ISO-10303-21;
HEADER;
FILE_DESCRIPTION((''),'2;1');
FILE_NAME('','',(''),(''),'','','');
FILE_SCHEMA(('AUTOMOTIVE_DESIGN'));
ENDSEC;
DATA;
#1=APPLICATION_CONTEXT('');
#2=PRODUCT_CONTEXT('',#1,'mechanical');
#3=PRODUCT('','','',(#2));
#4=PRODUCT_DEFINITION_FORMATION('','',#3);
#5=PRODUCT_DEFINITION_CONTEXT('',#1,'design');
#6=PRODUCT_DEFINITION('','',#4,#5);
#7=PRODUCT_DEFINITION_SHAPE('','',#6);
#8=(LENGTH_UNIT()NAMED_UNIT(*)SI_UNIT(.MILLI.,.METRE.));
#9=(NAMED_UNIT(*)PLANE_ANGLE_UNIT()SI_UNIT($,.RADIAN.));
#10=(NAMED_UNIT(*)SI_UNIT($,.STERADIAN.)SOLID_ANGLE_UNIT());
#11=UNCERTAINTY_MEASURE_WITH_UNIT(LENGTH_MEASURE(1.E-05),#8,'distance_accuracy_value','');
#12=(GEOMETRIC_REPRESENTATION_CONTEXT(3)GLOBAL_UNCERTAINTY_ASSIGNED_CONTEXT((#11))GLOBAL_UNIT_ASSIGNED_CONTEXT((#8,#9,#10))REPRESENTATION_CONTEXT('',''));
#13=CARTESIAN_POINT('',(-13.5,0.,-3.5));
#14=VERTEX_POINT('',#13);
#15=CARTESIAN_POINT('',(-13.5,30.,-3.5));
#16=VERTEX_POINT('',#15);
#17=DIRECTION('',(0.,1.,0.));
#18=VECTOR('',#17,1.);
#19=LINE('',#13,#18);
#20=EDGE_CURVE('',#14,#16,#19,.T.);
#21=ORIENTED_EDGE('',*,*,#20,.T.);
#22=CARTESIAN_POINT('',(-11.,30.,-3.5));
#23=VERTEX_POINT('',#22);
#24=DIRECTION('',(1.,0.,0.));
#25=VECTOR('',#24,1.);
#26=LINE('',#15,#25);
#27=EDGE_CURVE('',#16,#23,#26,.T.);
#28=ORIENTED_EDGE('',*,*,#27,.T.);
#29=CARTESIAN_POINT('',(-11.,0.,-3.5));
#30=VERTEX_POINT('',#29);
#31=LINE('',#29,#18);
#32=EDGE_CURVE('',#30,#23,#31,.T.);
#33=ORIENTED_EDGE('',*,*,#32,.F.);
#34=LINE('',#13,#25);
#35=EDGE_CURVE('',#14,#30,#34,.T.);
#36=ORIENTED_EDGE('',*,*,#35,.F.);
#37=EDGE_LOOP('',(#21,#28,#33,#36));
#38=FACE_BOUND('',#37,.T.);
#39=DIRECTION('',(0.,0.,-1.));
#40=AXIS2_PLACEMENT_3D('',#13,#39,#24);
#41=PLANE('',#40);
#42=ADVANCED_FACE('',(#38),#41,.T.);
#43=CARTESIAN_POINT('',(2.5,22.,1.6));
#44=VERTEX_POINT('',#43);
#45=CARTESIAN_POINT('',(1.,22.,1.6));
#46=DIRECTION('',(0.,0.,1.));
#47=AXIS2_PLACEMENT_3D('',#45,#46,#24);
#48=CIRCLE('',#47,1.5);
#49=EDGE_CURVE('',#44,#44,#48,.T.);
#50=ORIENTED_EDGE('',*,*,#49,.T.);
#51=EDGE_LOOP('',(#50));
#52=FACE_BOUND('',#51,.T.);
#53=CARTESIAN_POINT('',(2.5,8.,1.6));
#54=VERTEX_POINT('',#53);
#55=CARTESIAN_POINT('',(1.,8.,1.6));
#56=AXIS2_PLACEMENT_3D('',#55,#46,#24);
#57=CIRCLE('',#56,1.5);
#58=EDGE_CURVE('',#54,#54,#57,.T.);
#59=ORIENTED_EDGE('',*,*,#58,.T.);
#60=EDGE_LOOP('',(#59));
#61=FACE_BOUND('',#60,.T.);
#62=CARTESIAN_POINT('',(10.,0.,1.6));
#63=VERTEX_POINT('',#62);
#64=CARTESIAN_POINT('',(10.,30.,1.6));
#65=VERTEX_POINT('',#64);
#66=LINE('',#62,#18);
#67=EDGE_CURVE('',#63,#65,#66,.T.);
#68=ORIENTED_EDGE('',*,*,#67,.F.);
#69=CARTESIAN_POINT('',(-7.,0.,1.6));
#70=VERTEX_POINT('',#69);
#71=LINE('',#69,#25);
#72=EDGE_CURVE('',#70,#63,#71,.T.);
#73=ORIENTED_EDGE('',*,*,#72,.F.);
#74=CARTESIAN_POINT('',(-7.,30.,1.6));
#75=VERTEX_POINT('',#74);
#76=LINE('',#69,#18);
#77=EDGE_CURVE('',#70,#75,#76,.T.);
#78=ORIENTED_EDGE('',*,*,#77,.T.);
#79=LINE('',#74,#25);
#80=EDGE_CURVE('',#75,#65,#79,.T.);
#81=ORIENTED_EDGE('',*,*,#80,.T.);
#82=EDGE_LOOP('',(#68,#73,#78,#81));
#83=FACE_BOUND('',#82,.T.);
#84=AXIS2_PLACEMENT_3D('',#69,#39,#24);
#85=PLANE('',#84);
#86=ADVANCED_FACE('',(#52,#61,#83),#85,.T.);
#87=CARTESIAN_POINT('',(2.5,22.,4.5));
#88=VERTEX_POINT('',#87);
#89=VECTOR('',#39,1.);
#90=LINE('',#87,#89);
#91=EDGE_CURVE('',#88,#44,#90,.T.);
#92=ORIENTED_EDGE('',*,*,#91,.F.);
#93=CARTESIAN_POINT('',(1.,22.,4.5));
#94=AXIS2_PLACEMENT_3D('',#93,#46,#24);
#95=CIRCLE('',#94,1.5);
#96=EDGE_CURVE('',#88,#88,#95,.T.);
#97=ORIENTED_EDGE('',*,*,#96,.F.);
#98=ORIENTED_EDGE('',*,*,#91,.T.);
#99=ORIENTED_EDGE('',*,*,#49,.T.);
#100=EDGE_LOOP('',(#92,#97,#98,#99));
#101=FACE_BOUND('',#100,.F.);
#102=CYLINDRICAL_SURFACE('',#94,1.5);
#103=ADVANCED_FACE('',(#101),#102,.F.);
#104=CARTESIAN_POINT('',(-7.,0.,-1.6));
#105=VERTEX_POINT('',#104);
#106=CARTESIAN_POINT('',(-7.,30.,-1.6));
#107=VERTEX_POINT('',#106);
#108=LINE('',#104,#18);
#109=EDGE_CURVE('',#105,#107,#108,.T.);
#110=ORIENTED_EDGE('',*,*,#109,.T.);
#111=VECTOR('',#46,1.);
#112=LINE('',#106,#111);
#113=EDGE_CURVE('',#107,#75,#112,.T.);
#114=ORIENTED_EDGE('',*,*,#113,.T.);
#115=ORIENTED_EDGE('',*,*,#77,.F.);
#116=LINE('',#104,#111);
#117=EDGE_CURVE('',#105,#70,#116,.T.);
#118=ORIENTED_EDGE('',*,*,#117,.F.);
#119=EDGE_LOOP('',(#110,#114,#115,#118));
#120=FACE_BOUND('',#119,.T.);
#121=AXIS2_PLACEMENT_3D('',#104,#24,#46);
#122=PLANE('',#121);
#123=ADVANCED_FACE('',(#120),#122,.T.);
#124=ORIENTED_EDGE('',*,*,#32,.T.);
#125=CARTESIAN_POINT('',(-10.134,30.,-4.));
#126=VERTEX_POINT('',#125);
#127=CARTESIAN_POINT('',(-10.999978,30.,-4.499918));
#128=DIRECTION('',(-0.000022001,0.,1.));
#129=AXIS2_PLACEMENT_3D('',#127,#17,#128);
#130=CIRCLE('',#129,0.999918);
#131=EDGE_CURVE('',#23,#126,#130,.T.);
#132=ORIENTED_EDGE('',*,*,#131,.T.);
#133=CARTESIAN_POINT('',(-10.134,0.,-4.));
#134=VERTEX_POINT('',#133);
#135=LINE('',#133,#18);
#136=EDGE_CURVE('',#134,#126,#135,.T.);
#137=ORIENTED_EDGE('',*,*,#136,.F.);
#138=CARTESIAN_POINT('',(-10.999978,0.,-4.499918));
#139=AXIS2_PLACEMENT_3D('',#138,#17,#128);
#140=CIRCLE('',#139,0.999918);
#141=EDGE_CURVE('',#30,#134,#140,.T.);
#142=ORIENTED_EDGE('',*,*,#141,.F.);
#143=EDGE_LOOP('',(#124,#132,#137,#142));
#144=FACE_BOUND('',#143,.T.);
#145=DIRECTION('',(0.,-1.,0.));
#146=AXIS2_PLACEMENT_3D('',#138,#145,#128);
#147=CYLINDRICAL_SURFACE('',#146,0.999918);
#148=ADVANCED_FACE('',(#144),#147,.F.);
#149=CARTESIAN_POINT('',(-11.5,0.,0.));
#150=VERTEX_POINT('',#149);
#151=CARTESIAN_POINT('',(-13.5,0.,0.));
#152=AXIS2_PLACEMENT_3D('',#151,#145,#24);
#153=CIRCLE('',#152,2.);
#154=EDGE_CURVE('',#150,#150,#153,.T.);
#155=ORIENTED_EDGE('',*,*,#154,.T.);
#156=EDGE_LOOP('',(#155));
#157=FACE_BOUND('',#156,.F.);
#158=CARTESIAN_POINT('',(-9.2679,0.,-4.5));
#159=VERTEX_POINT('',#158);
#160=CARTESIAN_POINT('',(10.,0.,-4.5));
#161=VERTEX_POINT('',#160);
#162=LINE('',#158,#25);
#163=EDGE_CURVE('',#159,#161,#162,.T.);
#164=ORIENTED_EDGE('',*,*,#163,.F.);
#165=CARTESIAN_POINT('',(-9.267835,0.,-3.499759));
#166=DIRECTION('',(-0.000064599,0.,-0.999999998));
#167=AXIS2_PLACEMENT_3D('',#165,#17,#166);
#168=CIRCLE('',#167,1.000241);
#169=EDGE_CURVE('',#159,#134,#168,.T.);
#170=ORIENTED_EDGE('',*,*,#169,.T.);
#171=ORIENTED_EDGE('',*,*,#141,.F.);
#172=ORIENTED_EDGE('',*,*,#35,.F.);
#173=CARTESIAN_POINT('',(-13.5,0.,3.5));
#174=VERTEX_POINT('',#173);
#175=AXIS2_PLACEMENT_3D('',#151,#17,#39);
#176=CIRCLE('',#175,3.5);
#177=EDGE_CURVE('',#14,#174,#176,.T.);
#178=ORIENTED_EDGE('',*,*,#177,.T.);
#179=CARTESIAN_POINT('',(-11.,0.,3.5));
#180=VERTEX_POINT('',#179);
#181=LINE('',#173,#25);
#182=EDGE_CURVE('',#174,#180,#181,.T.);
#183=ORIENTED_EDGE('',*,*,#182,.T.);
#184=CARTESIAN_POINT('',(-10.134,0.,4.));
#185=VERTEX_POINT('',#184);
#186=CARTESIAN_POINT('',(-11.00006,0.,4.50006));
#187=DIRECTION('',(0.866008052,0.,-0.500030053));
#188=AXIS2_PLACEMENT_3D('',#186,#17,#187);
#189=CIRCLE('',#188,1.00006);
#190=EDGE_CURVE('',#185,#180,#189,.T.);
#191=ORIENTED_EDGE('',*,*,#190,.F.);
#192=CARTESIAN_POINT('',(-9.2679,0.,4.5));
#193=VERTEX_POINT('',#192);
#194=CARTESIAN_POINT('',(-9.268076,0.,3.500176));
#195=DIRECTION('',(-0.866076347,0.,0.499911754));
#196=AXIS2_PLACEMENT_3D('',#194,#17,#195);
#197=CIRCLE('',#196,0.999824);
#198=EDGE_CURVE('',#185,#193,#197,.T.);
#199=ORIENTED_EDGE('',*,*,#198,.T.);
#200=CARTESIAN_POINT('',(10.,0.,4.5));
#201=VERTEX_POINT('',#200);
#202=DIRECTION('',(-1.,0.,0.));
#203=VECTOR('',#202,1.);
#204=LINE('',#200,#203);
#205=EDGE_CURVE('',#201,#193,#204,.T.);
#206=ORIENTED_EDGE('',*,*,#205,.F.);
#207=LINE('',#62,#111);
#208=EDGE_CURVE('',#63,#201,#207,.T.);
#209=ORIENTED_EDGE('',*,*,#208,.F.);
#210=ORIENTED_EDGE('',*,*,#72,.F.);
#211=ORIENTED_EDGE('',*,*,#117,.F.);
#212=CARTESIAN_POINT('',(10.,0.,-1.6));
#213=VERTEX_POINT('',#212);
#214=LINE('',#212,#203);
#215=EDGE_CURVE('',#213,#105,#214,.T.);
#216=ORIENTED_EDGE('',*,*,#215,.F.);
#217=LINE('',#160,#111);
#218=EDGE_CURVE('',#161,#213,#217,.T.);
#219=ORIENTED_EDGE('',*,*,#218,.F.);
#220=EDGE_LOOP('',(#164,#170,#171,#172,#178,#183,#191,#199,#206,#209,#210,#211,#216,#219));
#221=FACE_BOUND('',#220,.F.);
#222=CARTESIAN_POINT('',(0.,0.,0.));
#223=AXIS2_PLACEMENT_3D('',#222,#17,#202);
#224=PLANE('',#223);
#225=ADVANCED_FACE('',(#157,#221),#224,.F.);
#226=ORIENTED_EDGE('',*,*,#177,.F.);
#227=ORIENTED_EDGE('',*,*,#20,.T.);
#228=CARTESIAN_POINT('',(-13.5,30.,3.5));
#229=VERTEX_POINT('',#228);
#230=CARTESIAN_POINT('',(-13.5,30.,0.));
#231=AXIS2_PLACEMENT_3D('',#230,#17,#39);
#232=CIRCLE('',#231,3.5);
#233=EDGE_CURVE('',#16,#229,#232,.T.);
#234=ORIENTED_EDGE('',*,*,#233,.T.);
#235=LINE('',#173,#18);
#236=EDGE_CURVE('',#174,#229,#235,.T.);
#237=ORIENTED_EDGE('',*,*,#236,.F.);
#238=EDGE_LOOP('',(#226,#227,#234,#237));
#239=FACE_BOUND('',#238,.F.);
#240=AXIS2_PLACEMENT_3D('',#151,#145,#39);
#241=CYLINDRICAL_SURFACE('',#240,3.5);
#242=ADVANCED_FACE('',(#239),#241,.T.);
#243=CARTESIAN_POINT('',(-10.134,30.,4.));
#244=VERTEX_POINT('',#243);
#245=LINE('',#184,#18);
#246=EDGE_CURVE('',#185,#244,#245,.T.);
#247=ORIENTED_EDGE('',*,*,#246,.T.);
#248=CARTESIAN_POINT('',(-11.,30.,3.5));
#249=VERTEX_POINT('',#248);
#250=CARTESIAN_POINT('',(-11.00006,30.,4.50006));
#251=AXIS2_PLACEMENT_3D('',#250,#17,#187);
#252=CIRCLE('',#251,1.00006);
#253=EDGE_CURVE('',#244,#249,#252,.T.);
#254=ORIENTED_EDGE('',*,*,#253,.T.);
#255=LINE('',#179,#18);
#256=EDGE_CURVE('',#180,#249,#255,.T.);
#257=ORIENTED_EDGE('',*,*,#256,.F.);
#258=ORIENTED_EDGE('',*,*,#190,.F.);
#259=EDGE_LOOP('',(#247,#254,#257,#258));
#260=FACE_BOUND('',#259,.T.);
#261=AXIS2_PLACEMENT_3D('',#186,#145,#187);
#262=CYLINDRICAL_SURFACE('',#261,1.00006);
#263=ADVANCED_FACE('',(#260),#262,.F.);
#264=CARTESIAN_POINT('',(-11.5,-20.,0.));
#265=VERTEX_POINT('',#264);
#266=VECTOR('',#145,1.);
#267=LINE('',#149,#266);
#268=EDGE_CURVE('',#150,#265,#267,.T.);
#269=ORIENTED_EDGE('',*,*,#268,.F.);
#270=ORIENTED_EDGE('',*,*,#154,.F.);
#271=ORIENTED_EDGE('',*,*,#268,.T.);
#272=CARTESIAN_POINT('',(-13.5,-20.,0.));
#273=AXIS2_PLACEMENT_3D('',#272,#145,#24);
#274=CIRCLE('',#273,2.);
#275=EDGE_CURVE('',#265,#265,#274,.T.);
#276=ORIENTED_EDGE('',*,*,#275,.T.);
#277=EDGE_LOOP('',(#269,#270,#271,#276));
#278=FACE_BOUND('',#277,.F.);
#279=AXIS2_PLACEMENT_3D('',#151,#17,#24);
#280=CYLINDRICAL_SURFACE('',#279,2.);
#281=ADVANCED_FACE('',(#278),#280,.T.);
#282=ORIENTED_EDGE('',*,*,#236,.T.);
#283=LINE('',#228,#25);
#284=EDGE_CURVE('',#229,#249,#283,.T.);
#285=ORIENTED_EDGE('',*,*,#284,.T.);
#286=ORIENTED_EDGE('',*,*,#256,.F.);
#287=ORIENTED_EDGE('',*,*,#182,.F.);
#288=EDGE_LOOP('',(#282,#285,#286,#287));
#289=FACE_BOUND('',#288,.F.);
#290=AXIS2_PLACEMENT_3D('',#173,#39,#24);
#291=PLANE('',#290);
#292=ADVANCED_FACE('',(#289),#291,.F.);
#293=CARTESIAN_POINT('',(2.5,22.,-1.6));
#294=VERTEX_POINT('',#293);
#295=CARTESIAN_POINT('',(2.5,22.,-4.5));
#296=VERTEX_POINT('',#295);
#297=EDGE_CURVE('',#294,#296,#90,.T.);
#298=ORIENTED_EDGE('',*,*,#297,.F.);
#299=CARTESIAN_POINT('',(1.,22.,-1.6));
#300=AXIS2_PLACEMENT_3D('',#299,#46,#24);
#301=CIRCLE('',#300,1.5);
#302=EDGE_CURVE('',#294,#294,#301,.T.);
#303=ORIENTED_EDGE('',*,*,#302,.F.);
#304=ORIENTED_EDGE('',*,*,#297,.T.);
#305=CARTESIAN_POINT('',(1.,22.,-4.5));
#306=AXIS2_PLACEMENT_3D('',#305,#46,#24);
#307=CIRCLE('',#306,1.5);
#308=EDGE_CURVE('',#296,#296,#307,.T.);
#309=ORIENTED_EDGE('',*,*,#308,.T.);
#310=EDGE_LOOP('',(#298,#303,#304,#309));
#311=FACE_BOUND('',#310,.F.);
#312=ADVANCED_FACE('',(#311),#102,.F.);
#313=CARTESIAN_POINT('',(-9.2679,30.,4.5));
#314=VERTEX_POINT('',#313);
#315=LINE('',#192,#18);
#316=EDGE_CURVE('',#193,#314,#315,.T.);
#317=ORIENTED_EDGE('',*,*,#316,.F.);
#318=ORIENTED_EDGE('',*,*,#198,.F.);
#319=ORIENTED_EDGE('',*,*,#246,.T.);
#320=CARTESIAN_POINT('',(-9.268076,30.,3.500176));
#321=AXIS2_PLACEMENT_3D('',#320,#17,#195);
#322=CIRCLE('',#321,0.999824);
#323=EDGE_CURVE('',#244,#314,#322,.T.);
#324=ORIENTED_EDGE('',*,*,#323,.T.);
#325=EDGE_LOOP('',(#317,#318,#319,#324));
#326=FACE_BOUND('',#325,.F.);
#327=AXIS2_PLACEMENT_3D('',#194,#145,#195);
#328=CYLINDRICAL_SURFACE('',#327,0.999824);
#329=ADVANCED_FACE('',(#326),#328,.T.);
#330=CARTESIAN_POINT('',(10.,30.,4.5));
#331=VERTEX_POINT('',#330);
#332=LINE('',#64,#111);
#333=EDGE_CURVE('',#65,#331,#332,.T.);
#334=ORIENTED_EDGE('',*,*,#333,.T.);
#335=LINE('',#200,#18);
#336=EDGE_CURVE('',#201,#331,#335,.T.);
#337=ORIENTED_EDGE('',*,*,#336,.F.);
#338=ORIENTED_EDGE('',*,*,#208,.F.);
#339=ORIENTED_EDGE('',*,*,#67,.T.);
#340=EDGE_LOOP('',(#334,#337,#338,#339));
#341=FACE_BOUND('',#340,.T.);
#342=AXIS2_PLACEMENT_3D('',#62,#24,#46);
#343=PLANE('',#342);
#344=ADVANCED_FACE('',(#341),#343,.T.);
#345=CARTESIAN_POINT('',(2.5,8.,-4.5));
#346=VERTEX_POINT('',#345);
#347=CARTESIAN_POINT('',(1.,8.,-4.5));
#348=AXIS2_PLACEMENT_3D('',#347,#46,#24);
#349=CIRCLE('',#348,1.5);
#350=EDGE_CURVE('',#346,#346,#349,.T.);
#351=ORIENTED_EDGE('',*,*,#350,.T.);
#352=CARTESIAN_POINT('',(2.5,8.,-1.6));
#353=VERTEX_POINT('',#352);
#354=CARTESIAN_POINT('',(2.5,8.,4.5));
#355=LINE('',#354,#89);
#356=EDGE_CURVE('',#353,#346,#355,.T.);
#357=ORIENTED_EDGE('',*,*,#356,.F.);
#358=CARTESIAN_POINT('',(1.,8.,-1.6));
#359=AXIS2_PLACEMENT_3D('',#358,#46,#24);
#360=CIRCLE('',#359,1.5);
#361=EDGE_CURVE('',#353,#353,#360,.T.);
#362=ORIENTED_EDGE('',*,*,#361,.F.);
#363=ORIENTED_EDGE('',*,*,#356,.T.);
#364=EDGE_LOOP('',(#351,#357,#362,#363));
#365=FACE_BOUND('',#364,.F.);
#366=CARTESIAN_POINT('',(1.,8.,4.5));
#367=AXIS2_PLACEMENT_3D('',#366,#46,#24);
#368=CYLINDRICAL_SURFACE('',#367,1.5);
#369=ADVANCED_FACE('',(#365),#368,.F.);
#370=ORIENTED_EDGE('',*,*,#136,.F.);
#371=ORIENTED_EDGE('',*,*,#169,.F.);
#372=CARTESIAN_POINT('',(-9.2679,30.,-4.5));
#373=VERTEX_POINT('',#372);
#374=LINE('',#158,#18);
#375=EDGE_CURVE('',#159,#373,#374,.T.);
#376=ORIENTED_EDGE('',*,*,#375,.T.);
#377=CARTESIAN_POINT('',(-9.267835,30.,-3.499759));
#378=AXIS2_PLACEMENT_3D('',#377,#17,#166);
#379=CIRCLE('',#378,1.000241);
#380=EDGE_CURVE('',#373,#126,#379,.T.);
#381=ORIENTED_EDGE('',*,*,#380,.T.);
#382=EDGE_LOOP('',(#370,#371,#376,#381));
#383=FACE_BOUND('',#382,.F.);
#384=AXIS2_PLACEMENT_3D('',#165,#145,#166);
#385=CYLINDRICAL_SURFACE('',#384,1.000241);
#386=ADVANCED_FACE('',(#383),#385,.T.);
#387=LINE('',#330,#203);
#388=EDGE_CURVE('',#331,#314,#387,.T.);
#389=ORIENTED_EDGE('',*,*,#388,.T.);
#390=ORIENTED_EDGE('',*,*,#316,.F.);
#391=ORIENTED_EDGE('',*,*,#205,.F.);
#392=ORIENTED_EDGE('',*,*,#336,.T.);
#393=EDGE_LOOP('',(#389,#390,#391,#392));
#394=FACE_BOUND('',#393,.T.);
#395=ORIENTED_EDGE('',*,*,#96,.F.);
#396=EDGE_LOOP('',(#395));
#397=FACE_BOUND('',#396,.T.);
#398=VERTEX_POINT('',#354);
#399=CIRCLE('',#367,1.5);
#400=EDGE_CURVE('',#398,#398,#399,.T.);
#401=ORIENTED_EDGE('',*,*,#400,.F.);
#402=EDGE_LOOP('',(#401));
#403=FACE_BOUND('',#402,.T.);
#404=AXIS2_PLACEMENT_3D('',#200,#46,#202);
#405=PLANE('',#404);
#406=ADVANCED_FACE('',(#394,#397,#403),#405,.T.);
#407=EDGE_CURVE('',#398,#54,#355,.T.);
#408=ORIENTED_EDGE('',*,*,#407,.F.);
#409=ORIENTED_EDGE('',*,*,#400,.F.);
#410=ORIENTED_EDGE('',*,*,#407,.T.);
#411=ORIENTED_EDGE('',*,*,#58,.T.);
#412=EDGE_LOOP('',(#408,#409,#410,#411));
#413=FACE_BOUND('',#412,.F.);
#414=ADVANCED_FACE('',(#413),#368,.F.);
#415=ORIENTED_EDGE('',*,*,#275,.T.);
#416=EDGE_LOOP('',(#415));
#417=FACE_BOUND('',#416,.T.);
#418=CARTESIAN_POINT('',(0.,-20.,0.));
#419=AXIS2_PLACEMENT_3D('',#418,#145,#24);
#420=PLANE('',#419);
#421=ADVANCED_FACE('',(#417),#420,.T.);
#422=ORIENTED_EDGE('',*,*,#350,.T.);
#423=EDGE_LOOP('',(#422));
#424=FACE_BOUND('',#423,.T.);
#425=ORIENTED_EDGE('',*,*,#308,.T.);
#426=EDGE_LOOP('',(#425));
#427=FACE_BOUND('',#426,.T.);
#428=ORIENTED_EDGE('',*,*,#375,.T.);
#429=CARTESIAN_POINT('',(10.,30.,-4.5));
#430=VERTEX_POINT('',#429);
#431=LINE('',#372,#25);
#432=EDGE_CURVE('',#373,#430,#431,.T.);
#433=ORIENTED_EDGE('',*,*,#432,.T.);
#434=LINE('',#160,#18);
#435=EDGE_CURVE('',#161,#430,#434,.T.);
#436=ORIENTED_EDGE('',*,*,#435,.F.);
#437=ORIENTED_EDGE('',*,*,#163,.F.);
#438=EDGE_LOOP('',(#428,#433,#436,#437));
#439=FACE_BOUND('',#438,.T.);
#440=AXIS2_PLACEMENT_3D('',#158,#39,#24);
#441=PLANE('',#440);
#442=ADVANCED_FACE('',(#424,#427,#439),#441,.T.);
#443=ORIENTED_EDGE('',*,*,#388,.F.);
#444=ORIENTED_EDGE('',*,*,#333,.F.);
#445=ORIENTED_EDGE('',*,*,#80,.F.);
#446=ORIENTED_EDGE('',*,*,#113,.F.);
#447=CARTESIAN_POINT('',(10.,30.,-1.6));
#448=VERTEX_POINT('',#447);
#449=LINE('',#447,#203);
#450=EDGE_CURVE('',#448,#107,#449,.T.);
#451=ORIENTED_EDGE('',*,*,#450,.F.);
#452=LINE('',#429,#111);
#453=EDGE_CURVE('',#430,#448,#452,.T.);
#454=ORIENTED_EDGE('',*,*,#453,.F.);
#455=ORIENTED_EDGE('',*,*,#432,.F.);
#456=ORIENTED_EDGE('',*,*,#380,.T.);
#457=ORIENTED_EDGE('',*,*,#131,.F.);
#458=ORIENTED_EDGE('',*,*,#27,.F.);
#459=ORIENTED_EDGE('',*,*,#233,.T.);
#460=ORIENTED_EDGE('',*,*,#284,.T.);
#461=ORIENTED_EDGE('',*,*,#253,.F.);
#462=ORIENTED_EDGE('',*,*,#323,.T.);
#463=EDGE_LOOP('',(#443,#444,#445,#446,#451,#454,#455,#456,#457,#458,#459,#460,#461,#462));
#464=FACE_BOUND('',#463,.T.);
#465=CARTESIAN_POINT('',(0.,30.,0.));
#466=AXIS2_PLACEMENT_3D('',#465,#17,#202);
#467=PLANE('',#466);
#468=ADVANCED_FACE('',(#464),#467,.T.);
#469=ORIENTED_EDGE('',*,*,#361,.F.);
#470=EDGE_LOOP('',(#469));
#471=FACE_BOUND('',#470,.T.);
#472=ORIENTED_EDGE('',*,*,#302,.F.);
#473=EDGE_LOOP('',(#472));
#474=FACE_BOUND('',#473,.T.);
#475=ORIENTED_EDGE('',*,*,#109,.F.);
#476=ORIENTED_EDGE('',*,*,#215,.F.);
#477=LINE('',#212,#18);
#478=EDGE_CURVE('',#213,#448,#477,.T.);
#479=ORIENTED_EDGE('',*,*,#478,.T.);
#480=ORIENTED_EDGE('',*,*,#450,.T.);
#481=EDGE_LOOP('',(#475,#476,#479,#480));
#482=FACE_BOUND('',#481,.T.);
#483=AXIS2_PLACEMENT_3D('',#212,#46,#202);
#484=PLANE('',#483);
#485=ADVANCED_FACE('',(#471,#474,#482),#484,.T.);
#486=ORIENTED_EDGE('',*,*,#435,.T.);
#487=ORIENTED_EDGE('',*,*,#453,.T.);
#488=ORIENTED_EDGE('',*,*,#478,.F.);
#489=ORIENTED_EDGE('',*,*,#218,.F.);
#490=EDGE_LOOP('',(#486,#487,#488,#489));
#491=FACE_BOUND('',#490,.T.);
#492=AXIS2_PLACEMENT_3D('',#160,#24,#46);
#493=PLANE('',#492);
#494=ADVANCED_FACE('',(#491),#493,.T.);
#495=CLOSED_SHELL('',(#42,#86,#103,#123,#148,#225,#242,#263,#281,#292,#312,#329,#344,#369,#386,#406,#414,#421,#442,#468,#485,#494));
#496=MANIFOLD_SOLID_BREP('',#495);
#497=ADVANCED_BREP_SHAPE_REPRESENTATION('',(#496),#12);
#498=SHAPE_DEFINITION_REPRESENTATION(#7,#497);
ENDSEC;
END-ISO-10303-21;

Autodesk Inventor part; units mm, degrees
ref_plane "YZ Plane" through (0, 0, 0) normal (1, 0, 0) x (0, 1, 0)
ref_plane "XZ Plane" through (0, 0, 0) normal (0, 1, 0) x (-1, 0, 0)
ref_plane "XY Plane" through (0, 0, 0) normal (0, 0, 1) x (1, 0, 0)
sketch "Sketch1" plane through (0, 0, 0) normal (0, 1, 0) x (-1, 0, 0)
  line L0 (9.2679, -4.5) -> (-10, -4.5)
  line L1 (-10, 4.5) -> (9.2679, 4.5)
  line L2 (10, -4.5) -> (-10, 4.5) construction
  line L3 (-10, -4.5) -> (10, 4.5) construction
  arc A0 (13.5, -3.5) -> (13.5, 3.5) centre (13.5, 0) ccw
  line L4 (13.5, -3.5) -> (11, -3.5)
  line L5 (13.5, 3.5) -> (11, 3.5)
  line L6 (-10, -1.6) -> (7, -1.6)
  line L7 (7, -1.6) -> (7, 1.6)
  line L8 (7, 1.6) -> (-10, 1.6)
  line L9 (-10, -4.5) -> (-10, -1.6)
  line L10 (-10, 1.6) -> (-10, 4.5)
  line L11 (10, 4.5) -> (10, 4.5)
  line L12 (10, -4.5) -> (10, -4.5)
  arc A1 (11, -3.5) -> (10.134, -4) centre (11, -4.5) ccw
  arc A2 (10.134, 4) -> (11, 3.5) centre (11, 4.5) ccw
  arc A3 (9.2679, -4.5) -> (10.134, -4) centre (9.2679, -3.5) ccw
  arc A4 (10.134, 4) -> (9.2679, 4.5) centre (9.2679, 3.5) ccw
  point P0 (0, 0)
  dimension "d24" = 20
  dimension "d25" = 9
  dimension "d26" = 7
  dimension "d27" = 2.9
  dimension "d28" = 2.9
  dimension "d30" = 1
extrude "Extrusion4" add sketch "Sketch1" along normal blind 30
sketch "Sketch4" plane through (0, 0, 0) normal (0, -1, 0) x (1, 0, 0)
  arc A0 (-13.5, 3.5) -> (-13.5, -3.5) centre (-13.5, 0) ccw projected
  circle A1 centre (-13.5, 0) radius 2
  point P0 (0, 0)
  dimension "d33" = 4
extrude "Extrusion5" add sketch "Sketch4" along normal blind 20
sketch "Sketch5" plane through (-9.2679, 0, 4.5) normal (0, 0, 1) x (1, 0, 0)
  circle A0 centre (10.2679, 22) radius 1.5
  circle A1 centre (10.2679, 8) radius 1.5
  line L0 (19.2679, 0) -> (19.2679, 30) projected
  line L1 (0, 30) -> (19.2679, 30) projected
  line L2 (0, 0) -> (19.2679, 0) projected
  point P0 (9.2679, 0)
  dimension "d36" = 3
  dimension "d37" = 3
  dimension "d38" = 9
  dimension "d39" = 9
  dimension "d40" = 8
  dimension "d41" = 8
extrude "Extrusion6" cut sketch "Sketch5" against normal blind 20
properties part number "joint male"
